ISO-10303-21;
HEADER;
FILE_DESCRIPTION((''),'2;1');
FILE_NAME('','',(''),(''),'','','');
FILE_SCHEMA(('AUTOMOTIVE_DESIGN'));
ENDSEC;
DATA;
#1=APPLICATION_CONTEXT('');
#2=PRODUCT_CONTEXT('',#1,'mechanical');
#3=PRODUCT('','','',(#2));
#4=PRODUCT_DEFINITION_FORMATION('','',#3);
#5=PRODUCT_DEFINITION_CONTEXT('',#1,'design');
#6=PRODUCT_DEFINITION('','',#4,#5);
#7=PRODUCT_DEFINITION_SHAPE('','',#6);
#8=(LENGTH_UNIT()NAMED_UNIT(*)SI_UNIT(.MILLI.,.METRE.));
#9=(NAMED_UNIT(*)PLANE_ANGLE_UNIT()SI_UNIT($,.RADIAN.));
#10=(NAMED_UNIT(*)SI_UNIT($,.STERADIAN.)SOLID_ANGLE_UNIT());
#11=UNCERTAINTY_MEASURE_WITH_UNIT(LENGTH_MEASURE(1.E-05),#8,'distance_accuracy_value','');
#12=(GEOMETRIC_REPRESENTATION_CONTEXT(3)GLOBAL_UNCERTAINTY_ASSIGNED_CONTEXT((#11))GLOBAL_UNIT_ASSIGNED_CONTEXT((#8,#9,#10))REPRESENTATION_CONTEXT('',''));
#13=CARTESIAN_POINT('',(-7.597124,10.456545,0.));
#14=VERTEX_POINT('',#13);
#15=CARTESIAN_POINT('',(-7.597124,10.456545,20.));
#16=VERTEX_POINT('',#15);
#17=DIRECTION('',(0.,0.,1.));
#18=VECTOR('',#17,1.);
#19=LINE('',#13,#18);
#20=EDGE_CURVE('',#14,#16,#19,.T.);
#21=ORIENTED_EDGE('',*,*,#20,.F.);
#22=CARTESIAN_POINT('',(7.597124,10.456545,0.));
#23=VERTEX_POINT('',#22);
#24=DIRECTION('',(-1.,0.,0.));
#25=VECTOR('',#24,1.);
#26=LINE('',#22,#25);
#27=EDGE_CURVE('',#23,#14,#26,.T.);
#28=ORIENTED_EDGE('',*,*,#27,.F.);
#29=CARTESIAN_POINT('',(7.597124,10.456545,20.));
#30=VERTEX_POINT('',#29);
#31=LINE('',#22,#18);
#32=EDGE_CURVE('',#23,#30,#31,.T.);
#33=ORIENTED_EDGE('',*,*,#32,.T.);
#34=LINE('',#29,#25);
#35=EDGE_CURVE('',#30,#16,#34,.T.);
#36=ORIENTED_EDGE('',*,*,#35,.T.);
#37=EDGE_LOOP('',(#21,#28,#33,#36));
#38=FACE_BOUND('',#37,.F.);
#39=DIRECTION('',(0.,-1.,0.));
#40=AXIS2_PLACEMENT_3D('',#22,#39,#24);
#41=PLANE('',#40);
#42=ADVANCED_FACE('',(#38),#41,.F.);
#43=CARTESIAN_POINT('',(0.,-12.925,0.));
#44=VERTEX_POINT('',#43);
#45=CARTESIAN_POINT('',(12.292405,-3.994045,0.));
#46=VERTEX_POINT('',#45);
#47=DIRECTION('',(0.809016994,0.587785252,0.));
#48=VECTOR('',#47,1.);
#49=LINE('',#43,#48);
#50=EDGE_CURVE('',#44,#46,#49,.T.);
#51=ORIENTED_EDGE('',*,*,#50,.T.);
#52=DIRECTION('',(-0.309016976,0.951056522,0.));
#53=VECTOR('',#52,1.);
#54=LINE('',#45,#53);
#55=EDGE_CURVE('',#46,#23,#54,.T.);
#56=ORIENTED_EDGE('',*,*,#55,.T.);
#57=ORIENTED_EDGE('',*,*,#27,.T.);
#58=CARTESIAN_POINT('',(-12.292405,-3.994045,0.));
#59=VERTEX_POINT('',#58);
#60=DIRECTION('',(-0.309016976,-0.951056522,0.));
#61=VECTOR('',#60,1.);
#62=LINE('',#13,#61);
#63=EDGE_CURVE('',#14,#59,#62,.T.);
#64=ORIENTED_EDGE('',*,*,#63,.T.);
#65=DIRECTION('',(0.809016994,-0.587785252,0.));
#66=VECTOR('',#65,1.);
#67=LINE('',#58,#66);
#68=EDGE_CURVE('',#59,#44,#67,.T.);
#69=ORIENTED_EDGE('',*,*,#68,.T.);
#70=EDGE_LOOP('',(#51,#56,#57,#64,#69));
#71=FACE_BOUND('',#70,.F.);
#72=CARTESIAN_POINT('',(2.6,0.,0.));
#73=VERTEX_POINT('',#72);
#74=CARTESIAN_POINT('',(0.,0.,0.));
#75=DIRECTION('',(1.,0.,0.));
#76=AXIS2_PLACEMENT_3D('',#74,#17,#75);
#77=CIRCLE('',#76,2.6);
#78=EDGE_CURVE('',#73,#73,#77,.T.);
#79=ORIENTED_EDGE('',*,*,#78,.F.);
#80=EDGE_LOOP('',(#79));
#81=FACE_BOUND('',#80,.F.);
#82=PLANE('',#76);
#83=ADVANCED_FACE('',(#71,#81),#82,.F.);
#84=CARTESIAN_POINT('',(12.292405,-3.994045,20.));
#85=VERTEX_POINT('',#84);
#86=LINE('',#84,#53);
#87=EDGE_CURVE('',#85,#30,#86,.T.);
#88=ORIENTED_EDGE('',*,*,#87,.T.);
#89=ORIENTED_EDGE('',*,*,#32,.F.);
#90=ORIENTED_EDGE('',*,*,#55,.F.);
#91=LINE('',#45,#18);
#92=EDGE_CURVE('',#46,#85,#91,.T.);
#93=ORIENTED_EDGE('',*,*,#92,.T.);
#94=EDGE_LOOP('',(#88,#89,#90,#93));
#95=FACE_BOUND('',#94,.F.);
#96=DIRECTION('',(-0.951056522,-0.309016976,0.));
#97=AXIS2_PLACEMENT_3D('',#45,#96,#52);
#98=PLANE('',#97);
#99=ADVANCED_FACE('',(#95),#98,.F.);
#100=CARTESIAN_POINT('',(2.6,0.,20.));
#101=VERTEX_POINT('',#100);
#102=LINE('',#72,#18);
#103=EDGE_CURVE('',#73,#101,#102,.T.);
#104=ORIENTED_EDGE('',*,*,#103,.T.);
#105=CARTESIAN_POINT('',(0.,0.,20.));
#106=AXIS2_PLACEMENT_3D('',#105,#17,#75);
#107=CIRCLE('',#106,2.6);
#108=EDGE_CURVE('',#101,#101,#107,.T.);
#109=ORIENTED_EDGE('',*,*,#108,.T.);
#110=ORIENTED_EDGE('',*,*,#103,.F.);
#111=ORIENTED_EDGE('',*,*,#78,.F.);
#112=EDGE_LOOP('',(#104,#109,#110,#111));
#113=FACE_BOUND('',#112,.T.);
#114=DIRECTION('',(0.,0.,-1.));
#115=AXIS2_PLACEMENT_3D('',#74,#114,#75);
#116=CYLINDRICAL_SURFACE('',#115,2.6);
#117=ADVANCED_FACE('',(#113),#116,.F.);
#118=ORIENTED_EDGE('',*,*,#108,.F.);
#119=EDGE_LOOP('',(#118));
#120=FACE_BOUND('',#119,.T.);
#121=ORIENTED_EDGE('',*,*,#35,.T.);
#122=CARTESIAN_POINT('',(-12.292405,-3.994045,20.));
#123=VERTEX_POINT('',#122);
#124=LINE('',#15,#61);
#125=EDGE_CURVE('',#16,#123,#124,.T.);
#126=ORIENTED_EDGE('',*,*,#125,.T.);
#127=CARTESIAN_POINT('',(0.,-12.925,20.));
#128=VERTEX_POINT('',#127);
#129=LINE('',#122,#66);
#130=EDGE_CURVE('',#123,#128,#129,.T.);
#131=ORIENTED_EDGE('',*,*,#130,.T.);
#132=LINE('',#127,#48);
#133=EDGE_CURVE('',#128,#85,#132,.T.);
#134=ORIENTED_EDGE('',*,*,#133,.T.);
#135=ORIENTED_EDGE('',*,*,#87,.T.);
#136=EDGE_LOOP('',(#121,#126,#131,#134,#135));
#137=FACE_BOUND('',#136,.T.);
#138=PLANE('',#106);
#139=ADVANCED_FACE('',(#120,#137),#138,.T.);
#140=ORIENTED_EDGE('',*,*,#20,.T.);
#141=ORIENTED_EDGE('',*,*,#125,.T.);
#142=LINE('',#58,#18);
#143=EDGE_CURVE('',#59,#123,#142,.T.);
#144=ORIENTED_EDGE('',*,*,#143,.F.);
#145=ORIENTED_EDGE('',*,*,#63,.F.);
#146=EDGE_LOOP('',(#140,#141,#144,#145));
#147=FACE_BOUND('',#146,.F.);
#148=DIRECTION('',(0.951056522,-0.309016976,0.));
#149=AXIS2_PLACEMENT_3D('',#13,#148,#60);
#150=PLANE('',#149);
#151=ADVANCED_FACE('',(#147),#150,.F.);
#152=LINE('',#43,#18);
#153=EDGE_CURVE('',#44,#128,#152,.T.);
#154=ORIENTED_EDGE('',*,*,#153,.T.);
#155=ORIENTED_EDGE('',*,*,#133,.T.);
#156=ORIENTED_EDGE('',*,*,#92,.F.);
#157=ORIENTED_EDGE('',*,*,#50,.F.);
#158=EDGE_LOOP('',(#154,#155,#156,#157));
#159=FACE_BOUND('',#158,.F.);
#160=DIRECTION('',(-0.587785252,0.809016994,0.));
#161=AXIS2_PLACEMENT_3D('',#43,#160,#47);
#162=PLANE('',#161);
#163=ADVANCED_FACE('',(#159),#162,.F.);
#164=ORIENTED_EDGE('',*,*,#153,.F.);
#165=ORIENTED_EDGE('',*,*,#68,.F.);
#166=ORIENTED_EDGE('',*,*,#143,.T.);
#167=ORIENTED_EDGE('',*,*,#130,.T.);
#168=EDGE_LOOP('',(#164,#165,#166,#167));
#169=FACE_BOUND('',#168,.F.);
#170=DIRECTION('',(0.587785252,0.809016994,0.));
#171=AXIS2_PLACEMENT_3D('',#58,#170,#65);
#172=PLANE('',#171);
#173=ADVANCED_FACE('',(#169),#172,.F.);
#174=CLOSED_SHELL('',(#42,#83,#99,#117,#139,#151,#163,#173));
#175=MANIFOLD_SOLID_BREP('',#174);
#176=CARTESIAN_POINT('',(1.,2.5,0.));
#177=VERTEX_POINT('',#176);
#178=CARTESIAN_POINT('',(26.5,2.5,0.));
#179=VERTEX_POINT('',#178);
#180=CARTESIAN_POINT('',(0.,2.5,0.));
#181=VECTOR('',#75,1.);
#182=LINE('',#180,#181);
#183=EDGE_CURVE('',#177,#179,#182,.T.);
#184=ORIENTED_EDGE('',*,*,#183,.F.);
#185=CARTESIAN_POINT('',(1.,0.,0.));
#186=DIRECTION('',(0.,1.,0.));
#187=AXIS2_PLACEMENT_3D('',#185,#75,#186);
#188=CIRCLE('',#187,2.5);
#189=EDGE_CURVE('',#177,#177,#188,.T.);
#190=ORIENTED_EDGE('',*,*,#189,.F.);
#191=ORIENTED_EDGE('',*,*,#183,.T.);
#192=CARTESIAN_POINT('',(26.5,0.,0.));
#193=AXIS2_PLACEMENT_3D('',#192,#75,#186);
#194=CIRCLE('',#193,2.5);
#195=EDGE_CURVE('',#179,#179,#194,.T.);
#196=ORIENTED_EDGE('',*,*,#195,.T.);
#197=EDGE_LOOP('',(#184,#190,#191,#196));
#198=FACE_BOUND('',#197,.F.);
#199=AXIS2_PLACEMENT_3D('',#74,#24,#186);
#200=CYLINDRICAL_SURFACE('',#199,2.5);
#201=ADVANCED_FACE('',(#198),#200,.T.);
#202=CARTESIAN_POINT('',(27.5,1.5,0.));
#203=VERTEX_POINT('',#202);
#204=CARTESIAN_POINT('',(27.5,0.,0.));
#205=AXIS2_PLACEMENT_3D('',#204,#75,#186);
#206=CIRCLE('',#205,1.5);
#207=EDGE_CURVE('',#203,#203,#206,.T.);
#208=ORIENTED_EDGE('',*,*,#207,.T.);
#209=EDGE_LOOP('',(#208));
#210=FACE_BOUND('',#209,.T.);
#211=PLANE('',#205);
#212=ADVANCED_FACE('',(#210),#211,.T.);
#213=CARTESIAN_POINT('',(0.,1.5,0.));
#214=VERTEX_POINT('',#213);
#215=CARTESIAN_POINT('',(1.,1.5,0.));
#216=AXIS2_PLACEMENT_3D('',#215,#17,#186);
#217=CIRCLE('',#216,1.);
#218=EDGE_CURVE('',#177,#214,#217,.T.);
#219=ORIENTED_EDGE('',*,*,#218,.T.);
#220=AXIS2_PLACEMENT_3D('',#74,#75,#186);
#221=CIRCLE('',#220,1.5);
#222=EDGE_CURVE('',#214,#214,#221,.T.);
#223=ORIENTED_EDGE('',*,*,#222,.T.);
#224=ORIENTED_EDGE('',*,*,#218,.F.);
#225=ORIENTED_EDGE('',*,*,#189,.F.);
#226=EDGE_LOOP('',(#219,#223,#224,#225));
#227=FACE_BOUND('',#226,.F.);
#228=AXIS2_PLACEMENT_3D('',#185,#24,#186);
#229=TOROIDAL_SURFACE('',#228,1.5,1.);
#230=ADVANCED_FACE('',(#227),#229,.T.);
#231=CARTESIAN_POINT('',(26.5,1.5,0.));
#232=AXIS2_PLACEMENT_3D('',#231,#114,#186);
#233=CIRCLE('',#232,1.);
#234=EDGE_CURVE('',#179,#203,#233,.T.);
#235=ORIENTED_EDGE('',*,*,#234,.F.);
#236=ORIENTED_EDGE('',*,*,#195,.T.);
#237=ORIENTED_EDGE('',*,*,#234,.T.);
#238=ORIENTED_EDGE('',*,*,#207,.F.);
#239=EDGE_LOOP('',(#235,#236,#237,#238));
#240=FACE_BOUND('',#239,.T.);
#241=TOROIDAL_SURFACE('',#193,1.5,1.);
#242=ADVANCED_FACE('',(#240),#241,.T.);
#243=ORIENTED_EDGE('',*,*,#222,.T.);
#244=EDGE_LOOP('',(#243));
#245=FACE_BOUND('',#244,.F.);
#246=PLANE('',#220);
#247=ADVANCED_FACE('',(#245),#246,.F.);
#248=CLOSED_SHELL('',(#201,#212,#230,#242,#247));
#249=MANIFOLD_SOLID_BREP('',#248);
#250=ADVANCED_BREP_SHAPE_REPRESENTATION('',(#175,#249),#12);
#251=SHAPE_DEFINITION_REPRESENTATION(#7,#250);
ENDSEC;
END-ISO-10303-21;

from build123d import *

# Parameters (mm, degrees)
F0_R     = 2.5
F1_DEPTH = 27.5
F2_R     = 1
F3_R     = 2.6
F4_DEPTH = 20


with BuildPart() as f1:
    # F0 (on Right) → F1 (new body)
    with BuildSketch(Plane.YZ):
        Circle(F0_R)
    extrude(amount=F1_DEPTH)

    # F2
    f2_edges = [f1.edges().sort_by_distance(p)[0] for p in [
        (27.5, -2.5, 0),
        (0, -2.5, 0),
    ]]
    fillet(f2_edges, radius=F2_R)


with BuildPart() as f4:
    # F3 (on Top) → F4 (new body)
    with BuildSketch(Plane.XY):
        Polygon((-12.292405, -3.994045), (0, -12.925), (12.292405, -3.994045), (7.597124, 10.456545), (-7.597124, 10.456545), align=None)
        Circle(F3_R, mode=Mode.SUBTRACT)
    extrude(amount=F4_DEPTH)


solid = Compound([f1.part, f4.part])
